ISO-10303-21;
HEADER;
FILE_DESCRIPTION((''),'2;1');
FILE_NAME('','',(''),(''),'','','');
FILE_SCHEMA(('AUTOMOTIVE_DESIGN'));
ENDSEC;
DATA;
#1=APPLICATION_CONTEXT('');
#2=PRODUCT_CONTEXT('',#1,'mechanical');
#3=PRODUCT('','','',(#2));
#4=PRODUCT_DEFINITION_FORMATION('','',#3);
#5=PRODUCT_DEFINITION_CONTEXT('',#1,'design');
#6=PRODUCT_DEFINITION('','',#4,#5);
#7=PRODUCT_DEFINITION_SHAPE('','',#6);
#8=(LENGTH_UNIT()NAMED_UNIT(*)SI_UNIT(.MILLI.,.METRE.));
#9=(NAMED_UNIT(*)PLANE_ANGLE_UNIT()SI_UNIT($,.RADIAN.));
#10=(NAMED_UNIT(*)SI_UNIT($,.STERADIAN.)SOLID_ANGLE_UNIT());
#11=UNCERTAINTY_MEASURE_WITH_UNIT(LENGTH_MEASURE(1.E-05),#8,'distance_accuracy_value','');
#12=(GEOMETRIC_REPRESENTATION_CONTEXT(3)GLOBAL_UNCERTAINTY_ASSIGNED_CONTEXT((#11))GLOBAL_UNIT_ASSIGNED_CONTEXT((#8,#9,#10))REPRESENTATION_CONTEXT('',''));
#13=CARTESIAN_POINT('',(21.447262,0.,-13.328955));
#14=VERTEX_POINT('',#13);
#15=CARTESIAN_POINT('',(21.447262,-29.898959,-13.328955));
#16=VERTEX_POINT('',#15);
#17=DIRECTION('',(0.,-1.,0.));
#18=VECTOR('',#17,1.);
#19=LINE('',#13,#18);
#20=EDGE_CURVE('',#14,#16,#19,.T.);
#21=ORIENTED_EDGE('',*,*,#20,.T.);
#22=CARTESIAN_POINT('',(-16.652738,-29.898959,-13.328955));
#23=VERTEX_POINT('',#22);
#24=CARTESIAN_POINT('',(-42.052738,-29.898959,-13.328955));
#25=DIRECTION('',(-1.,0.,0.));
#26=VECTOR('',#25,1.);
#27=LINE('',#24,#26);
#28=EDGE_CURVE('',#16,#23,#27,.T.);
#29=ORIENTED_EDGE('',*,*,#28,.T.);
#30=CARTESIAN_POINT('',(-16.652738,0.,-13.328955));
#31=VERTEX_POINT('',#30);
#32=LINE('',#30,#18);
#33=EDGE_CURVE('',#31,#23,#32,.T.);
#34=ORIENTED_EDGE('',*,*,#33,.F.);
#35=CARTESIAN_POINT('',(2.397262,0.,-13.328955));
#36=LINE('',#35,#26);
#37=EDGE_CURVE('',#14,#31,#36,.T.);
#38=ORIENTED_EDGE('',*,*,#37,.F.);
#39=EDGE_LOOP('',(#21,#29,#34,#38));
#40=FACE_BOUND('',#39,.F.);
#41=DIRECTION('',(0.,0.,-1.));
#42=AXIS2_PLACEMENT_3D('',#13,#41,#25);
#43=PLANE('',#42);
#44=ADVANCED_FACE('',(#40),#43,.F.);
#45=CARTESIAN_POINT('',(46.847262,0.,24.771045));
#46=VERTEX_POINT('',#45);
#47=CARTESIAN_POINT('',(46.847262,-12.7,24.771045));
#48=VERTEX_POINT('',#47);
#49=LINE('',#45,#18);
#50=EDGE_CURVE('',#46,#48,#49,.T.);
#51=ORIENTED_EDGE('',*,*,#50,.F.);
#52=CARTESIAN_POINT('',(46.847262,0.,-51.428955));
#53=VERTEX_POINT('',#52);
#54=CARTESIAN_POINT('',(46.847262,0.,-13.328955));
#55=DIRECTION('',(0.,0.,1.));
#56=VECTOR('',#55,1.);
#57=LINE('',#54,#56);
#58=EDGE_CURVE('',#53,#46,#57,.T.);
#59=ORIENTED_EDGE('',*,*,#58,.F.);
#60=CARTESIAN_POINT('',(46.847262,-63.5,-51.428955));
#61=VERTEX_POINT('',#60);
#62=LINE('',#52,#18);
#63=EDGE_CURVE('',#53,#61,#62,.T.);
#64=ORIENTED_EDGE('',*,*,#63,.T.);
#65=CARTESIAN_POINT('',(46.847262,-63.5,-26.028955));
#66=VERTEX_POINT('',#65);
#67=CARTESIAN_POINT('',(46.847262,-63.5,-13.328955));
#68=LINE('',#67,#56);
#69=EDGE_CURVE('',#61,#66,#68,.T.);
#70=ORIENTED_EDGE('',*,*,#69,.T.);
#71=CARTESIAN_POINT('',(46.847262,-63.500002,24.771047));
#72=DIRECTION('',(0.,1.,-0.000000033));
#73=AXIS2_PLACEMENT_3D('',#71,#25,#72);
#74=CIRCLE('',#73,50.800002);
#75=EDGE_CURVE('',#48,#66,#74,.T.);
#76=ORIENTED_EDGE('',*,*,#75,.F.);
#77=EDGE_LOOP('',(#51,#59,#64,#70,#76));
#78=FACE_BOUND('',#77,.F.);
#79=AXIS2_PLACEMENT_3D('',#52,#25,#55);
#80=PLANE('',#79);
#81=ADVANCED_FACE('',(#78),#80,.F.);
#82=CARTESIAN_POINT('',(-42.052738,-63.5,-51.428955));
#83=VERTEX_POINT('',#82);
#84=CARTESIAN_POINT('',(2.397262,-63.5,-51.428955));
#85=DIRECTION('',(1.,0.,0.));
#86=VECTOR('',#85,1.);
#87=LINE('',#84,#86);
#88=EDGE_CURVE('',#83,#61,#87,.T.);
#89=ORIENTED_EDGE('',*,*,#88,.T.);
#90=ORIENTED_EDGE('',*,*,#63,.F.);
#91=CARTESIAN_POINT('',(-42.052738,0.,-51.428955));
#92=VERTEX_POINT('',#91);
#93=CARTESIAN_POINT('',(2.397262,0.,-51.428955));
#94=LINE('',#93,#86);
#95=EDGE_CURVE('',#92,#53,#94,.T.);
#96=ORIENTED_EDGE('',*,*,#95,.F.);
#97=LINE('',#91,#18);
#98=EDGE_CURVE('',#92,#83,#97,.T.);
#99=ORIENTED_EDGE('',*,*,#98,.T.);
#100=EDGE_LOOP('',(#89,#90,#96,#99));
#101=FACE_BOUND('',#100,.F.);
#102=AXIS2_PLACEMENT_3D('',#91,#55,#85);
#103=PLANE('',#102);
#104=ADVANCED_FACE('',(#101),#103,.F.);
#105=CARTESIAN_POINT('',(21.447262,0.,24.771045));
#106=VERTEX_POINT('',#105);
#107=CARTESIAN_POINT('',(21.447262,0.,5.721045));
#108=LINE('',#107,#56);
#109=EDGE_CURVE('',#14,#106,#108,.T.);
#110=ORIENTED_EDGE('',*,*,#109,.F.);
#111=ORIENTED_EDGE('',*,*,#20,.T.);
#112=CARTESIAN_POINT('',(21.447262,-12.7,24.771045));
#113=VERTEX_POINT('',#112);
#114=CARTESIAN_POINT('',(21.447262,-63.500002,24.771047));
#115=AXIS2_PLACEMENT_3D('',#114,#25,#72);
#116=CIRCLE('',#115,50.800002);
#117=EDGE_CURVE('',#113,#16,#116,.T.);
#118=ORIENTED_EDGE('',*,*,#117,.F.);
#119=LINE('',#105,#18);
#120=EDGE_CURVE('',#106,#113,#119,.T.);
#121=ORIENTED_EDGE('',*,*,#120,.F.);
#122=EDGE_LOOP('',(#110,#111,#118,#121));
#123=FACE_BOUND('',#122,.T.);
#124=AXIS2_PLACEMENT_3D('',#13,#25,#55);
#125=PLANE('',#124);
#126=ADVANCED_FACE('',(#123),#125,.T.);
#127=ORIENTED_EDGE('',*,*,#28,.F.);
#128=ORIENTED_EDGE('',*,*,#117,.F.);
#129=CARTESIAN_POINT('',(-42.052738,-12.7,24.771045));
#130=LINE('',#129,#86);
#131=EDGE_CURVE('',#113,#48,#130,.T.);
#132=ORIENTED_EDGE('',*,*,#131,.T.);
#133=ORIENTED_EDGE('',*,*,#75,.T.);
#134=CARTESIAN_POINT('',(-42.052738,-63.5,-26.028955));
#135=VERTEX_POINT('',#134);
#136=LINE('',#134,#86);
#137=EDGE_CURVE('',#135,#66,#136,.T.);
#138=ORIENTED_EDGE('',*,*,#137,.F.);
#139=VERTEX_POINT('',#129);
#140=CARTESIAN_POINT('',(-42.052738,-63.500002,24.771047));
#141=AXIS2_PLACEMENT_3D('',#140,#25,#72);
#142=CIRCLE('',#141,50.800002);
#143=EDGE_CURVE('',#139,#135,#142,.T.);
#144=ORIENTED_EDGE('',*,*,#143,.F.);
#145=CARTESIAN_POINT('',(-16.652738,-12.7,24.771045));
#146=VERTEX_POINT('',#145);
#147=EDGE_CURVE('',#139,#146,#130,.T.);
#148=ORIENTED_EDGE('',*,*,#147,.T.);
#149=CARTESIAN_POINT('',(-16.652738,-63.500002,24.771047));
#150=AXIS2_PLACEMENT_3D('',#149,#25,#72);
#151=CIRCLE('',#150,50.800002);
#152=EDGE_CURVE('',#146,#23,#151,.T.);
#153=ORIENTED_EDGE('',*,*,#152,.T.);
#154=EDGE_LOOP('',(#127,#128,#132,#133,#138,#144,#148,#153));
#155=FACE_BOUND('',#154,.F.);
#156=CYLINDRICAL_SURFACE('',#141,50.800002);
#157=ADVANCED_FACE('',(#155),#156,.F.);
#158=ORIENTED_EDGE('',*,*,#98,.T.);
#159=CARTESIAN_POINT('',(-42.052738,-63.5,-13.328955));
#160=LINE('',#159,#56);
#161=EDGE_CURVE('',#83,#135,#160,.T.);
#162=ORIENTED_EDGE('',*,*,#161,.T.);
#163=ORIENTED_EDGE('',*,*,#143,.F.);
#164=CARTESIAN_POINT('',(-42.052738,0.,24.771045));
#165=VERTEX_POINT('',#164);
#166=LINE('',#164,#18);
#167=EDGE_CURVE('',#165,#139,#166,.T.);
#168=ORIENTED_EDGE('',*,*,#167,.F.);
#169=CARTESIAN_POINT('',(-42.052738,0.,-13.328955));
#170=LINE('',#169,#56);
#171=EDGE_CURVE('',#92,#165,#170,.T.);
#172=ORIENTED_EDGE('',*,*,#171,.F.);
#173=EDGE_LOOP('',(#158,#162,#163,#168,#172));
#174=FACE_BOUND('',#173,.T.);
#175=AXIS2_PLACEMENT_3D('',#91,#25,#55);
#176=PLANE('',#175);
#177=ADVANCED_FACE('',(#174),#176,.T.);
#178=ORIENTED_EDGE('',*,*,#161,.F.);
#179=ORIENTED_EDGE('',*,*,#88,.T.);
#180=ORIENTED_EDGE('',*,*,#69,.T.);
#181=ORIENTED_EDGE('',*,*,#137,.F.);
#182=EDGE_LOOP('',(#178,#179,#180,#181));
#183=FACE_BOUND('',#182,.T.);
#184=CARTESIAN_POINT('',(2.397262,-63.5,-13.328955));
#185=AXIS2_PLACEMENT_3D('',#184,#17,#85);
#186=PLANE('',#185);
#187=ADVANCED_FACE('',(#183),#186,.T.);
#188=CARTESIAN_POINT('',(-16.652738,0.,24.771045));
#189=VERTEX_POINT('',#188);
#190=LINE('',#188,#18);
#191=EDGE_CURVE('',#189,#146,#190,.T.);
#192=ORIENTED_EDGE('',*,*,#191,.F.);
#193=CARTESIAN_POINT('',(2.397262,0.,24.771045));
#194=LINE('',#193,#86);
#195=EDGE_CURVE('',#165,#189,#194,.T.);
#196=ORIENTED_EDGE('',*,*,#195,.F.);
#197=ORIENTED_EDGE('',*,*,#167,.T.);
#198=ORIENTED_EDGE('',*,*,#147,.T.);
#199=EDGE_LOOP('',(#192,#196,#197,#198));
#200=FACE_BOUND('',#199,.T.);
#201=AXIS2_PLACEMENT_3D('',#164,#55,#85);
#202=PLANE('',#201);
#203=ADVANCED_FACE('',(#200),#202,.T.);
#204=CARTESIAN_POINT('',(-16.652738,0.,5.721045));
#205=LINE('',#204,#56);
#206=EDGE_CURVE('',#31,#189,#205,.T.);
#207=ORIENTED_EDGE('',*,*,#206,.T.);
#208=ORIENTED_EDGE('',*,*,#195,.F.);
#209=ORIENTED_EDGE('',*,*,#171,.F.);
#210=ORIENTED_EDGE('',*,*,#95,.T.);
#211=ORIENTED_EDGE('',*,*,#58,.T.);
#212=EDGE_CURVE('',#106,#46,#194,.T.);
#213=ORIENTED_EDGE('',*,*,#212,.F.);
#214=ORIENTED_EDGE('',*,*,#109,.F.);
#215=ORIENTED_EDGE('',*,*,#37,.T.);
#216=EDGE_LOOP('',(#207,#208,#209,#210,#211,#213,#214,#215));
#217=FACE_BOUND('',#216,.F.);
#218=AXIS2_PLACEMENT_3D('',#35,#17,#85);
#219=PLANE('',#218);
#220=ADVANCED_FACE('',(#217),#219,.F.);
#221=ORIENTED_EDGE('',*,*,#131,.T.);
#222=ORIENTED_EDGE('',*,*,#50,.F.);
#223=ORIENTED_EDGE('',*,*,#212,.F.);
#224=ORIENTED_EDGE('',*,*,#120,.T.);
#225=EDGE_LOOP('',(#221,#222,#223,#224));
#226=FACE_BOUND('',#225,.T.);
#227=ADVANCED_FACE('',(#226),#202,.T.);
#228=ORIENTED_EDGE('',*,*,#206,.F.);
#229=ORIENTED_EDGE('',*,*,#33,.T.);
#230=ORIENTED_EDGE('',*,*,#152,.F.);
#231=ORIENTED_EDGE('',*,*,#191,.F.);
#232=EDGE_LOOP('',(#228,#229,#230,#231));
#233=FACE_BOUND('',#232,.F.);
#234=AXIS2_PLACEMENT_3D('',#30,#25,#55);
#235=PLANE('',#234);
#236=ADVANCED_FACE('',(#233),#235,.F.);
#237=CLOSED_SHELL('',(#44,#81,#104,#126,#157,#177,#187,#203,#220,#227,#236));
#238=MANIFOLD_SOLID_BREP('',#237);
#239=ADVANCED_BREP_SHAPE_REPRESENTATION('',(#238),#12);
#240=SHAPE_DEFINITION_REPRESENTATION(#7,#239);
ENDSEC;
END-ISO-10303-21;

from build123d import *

# Parameters (mm, degrees)
F0_W     = 88.9
F0_H     = 76.2
F1_DEPTH = 63.5
F2_W     = 38.1
F2_H     = 38.1
F3_DEPTH = 63.501
F5_DEPTH = 88.901


with BuildPart() as f1:
    # F0 (on Front) → F1 (new body)
    with BuildSketch(Plane.XZ):
        with Locations((2.397262, -13.328955)):
            Rectangle(F0_W, F0_H)
    extrude(amount=F1_DEPTH)

    # F2 (on face) → F3 (cut, through all)
    with BuildSketch(Plane(origin=(0, 0, 0), x_dir=(-1, 0, 0), z_dir=(0, 1, 0))):
        with Locations((-2.397262, 5.721045)):
            Rectangle(F2_W, F2_H)
    extrude(amount=-F3_DEPTH, mode=Mode.SUBTRACT)

    # F4 (on face) → F5 (cut, through all)
    with BuildSketch(Plane(origin=(-42.052738, 0, 0), x_dir=(0, -1, 0), z_dir=(-1, 0, 0))):
        with BuildLine():
            Line((63.5, 24.771045), (12.7, 24.771045))
            ThreePointArc((12.7, 24.771045), (27.578976, -11.149979), (63.5, -26.028955))
            Line((63.5, -26.028955), (63.5, 24.771045))
        make_face()
    extrude(amount=-F5_DEPTH, mode=Mode.SUBTRACT)


solid = f1.part
